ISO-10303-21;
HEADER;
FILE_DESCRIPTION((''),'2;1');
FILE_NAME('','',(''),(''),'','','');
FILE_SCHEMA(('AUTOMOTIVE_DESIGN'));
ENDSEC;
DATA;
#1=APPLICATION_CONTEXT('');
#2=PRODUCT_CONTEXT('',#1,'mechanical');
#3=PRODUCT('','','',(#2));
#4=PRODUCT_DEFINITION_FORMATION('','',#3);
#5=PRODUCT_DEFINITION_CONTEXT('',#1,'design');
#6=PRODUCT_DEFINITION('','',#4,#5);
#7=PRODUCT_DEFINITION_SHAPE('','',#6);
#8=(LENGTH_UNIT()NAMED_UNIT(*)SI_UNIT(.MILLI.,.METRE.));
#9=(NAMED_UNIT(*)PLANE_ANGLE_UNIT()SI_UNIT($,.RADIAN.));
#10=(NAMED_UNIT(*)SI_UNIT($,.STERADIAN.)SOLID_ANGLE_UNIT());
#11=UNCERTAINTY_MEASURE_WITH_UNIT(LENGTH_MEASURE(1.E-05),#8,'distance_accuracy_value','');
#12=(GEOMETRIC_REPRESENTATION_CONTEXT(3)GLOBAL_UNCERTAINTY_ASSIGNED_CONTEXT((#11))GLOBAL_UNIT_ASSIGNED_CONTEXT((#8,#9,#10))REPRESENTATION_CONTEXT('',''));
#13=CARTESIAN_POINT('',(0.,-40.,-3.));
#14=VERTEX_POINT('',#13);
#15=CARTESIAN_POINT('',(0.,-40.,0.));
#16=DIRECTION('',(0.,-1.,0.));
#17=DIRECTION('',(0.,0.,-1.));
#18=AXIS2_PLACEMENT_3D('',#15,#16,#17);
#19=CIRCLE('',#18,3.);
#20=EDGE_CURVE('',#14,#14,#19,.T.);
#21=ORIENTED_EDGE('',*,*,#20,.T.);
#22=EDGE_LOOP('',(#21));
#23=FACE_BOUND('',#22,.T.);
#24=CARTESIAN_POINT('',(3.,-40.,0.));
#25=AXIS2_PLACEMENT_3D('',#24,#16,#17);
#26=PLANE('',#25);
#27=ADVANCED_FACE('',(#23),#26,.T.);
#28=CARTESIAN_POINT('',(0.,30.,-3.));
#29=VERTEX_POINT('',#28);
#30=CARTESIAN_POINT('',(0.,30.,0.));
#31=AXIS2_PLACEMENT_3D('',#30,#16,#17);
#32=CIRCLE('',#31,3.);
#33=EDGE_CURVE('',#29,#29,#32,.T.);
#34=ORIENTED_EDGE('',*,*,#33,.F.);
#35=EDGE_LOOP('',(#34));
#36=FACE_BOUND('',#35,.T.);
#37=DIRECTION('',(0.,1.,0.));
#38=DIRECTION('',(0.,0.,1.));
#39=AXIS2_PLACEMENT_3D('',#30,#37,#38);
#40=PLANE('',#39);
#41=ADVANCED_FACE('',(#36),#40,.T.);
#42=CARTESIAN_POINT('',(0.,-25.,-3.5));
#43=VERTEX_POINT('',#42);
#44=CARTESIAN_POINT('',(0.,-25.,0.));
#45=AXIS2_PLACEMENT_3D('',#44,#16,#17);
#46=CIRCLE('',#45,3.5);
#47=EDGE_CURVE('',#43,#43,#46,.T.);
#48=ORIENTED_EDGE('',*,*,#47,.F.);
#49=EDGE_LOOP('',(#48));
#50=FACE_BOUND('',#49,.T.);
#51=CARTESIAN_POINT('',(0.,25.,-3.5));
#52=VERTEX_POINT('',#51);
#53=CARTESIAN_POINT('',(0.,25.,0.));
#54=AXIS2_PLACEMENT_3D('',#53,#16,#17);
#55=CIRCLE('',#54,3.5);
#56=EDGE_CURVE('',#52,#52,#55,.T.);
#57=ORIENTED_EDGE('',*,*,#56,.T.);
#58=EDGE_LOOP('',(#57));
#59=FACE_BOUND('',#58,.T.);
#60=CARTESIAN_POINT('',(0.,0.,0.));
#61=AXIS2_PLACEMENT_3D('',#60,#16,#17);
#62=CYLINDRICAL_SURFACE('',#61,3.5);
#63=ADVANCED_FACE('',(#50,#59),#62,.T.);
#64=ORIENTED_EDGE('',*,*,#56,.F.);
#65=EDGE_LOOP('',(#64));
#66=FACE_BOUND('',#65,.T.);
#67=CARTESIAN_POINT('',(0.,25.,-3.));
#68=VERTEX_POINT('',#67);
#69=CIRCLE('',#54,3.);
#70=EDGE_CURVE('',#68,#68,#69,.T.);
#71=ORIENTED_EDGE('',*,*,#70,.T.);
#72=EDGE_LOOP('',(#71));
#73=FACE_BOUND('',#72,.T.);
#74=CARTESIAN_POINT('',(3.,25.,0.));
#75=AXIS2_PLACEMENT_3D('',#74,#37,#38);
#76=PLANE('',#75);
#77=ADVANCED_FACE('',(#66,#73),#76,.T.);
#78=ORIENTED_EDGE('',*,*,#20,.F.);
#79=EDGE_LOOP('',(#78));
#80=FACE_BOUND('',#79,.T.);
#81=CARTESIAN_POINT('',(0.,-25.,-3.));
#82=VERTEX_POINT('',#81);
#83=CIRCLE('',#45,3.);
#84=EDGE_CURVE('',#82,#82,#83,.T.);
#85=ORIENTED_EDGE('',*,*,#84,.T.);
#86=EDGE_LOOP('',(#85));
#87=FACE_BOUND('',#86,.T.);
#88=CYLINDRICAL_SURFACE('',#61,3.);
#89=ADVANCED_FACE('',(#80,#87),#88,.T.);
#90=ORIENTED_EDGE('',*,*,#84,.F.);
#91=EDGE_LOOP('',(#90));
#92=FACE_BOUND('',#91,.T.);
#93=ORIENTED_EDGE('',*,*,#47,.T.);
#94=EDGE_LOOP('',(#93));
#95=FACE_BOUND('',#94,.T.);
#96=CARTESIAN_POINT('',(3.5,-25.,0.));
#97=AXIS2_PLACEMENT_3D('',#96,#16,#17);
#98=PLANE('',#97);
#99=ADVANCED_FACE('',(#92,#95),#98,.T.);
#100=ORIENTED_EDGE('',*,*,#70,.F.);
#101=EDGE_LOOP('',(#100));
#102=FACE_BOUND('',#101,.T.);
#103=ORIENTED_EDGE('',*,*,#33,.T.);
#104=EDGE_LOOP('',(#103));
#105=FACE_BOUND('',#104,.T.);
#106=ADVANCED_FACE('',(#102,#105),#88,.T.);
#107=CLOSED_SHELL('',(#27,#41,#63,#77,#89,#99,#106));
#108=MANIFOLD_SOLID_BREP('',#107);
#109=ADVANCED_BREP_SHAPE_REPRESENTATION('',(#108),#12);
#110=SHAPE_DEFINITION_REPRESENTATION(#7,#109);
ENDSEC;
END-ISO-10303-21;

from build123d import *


with BuildPart() as part:
    # Croquis1 → Revolución1 (revolve)
    with BuildSketch(Plane.XY, mode=Mode.PRIVATE) as revoluci_n1_sk:
        Polygon((0, 30), (3, 30), (3, 25), (3.5, 25), (3.5, -25), (3, -25), (3, -40), (0, -40), align=None)
    revolve(revoluci_n1_sk.sketch.rotate(Axis((0, 0, 0), (0, 1, 0)), 90), axis=Axis((0, 0, 0), (0, 1, 0)))


solid = part.part
